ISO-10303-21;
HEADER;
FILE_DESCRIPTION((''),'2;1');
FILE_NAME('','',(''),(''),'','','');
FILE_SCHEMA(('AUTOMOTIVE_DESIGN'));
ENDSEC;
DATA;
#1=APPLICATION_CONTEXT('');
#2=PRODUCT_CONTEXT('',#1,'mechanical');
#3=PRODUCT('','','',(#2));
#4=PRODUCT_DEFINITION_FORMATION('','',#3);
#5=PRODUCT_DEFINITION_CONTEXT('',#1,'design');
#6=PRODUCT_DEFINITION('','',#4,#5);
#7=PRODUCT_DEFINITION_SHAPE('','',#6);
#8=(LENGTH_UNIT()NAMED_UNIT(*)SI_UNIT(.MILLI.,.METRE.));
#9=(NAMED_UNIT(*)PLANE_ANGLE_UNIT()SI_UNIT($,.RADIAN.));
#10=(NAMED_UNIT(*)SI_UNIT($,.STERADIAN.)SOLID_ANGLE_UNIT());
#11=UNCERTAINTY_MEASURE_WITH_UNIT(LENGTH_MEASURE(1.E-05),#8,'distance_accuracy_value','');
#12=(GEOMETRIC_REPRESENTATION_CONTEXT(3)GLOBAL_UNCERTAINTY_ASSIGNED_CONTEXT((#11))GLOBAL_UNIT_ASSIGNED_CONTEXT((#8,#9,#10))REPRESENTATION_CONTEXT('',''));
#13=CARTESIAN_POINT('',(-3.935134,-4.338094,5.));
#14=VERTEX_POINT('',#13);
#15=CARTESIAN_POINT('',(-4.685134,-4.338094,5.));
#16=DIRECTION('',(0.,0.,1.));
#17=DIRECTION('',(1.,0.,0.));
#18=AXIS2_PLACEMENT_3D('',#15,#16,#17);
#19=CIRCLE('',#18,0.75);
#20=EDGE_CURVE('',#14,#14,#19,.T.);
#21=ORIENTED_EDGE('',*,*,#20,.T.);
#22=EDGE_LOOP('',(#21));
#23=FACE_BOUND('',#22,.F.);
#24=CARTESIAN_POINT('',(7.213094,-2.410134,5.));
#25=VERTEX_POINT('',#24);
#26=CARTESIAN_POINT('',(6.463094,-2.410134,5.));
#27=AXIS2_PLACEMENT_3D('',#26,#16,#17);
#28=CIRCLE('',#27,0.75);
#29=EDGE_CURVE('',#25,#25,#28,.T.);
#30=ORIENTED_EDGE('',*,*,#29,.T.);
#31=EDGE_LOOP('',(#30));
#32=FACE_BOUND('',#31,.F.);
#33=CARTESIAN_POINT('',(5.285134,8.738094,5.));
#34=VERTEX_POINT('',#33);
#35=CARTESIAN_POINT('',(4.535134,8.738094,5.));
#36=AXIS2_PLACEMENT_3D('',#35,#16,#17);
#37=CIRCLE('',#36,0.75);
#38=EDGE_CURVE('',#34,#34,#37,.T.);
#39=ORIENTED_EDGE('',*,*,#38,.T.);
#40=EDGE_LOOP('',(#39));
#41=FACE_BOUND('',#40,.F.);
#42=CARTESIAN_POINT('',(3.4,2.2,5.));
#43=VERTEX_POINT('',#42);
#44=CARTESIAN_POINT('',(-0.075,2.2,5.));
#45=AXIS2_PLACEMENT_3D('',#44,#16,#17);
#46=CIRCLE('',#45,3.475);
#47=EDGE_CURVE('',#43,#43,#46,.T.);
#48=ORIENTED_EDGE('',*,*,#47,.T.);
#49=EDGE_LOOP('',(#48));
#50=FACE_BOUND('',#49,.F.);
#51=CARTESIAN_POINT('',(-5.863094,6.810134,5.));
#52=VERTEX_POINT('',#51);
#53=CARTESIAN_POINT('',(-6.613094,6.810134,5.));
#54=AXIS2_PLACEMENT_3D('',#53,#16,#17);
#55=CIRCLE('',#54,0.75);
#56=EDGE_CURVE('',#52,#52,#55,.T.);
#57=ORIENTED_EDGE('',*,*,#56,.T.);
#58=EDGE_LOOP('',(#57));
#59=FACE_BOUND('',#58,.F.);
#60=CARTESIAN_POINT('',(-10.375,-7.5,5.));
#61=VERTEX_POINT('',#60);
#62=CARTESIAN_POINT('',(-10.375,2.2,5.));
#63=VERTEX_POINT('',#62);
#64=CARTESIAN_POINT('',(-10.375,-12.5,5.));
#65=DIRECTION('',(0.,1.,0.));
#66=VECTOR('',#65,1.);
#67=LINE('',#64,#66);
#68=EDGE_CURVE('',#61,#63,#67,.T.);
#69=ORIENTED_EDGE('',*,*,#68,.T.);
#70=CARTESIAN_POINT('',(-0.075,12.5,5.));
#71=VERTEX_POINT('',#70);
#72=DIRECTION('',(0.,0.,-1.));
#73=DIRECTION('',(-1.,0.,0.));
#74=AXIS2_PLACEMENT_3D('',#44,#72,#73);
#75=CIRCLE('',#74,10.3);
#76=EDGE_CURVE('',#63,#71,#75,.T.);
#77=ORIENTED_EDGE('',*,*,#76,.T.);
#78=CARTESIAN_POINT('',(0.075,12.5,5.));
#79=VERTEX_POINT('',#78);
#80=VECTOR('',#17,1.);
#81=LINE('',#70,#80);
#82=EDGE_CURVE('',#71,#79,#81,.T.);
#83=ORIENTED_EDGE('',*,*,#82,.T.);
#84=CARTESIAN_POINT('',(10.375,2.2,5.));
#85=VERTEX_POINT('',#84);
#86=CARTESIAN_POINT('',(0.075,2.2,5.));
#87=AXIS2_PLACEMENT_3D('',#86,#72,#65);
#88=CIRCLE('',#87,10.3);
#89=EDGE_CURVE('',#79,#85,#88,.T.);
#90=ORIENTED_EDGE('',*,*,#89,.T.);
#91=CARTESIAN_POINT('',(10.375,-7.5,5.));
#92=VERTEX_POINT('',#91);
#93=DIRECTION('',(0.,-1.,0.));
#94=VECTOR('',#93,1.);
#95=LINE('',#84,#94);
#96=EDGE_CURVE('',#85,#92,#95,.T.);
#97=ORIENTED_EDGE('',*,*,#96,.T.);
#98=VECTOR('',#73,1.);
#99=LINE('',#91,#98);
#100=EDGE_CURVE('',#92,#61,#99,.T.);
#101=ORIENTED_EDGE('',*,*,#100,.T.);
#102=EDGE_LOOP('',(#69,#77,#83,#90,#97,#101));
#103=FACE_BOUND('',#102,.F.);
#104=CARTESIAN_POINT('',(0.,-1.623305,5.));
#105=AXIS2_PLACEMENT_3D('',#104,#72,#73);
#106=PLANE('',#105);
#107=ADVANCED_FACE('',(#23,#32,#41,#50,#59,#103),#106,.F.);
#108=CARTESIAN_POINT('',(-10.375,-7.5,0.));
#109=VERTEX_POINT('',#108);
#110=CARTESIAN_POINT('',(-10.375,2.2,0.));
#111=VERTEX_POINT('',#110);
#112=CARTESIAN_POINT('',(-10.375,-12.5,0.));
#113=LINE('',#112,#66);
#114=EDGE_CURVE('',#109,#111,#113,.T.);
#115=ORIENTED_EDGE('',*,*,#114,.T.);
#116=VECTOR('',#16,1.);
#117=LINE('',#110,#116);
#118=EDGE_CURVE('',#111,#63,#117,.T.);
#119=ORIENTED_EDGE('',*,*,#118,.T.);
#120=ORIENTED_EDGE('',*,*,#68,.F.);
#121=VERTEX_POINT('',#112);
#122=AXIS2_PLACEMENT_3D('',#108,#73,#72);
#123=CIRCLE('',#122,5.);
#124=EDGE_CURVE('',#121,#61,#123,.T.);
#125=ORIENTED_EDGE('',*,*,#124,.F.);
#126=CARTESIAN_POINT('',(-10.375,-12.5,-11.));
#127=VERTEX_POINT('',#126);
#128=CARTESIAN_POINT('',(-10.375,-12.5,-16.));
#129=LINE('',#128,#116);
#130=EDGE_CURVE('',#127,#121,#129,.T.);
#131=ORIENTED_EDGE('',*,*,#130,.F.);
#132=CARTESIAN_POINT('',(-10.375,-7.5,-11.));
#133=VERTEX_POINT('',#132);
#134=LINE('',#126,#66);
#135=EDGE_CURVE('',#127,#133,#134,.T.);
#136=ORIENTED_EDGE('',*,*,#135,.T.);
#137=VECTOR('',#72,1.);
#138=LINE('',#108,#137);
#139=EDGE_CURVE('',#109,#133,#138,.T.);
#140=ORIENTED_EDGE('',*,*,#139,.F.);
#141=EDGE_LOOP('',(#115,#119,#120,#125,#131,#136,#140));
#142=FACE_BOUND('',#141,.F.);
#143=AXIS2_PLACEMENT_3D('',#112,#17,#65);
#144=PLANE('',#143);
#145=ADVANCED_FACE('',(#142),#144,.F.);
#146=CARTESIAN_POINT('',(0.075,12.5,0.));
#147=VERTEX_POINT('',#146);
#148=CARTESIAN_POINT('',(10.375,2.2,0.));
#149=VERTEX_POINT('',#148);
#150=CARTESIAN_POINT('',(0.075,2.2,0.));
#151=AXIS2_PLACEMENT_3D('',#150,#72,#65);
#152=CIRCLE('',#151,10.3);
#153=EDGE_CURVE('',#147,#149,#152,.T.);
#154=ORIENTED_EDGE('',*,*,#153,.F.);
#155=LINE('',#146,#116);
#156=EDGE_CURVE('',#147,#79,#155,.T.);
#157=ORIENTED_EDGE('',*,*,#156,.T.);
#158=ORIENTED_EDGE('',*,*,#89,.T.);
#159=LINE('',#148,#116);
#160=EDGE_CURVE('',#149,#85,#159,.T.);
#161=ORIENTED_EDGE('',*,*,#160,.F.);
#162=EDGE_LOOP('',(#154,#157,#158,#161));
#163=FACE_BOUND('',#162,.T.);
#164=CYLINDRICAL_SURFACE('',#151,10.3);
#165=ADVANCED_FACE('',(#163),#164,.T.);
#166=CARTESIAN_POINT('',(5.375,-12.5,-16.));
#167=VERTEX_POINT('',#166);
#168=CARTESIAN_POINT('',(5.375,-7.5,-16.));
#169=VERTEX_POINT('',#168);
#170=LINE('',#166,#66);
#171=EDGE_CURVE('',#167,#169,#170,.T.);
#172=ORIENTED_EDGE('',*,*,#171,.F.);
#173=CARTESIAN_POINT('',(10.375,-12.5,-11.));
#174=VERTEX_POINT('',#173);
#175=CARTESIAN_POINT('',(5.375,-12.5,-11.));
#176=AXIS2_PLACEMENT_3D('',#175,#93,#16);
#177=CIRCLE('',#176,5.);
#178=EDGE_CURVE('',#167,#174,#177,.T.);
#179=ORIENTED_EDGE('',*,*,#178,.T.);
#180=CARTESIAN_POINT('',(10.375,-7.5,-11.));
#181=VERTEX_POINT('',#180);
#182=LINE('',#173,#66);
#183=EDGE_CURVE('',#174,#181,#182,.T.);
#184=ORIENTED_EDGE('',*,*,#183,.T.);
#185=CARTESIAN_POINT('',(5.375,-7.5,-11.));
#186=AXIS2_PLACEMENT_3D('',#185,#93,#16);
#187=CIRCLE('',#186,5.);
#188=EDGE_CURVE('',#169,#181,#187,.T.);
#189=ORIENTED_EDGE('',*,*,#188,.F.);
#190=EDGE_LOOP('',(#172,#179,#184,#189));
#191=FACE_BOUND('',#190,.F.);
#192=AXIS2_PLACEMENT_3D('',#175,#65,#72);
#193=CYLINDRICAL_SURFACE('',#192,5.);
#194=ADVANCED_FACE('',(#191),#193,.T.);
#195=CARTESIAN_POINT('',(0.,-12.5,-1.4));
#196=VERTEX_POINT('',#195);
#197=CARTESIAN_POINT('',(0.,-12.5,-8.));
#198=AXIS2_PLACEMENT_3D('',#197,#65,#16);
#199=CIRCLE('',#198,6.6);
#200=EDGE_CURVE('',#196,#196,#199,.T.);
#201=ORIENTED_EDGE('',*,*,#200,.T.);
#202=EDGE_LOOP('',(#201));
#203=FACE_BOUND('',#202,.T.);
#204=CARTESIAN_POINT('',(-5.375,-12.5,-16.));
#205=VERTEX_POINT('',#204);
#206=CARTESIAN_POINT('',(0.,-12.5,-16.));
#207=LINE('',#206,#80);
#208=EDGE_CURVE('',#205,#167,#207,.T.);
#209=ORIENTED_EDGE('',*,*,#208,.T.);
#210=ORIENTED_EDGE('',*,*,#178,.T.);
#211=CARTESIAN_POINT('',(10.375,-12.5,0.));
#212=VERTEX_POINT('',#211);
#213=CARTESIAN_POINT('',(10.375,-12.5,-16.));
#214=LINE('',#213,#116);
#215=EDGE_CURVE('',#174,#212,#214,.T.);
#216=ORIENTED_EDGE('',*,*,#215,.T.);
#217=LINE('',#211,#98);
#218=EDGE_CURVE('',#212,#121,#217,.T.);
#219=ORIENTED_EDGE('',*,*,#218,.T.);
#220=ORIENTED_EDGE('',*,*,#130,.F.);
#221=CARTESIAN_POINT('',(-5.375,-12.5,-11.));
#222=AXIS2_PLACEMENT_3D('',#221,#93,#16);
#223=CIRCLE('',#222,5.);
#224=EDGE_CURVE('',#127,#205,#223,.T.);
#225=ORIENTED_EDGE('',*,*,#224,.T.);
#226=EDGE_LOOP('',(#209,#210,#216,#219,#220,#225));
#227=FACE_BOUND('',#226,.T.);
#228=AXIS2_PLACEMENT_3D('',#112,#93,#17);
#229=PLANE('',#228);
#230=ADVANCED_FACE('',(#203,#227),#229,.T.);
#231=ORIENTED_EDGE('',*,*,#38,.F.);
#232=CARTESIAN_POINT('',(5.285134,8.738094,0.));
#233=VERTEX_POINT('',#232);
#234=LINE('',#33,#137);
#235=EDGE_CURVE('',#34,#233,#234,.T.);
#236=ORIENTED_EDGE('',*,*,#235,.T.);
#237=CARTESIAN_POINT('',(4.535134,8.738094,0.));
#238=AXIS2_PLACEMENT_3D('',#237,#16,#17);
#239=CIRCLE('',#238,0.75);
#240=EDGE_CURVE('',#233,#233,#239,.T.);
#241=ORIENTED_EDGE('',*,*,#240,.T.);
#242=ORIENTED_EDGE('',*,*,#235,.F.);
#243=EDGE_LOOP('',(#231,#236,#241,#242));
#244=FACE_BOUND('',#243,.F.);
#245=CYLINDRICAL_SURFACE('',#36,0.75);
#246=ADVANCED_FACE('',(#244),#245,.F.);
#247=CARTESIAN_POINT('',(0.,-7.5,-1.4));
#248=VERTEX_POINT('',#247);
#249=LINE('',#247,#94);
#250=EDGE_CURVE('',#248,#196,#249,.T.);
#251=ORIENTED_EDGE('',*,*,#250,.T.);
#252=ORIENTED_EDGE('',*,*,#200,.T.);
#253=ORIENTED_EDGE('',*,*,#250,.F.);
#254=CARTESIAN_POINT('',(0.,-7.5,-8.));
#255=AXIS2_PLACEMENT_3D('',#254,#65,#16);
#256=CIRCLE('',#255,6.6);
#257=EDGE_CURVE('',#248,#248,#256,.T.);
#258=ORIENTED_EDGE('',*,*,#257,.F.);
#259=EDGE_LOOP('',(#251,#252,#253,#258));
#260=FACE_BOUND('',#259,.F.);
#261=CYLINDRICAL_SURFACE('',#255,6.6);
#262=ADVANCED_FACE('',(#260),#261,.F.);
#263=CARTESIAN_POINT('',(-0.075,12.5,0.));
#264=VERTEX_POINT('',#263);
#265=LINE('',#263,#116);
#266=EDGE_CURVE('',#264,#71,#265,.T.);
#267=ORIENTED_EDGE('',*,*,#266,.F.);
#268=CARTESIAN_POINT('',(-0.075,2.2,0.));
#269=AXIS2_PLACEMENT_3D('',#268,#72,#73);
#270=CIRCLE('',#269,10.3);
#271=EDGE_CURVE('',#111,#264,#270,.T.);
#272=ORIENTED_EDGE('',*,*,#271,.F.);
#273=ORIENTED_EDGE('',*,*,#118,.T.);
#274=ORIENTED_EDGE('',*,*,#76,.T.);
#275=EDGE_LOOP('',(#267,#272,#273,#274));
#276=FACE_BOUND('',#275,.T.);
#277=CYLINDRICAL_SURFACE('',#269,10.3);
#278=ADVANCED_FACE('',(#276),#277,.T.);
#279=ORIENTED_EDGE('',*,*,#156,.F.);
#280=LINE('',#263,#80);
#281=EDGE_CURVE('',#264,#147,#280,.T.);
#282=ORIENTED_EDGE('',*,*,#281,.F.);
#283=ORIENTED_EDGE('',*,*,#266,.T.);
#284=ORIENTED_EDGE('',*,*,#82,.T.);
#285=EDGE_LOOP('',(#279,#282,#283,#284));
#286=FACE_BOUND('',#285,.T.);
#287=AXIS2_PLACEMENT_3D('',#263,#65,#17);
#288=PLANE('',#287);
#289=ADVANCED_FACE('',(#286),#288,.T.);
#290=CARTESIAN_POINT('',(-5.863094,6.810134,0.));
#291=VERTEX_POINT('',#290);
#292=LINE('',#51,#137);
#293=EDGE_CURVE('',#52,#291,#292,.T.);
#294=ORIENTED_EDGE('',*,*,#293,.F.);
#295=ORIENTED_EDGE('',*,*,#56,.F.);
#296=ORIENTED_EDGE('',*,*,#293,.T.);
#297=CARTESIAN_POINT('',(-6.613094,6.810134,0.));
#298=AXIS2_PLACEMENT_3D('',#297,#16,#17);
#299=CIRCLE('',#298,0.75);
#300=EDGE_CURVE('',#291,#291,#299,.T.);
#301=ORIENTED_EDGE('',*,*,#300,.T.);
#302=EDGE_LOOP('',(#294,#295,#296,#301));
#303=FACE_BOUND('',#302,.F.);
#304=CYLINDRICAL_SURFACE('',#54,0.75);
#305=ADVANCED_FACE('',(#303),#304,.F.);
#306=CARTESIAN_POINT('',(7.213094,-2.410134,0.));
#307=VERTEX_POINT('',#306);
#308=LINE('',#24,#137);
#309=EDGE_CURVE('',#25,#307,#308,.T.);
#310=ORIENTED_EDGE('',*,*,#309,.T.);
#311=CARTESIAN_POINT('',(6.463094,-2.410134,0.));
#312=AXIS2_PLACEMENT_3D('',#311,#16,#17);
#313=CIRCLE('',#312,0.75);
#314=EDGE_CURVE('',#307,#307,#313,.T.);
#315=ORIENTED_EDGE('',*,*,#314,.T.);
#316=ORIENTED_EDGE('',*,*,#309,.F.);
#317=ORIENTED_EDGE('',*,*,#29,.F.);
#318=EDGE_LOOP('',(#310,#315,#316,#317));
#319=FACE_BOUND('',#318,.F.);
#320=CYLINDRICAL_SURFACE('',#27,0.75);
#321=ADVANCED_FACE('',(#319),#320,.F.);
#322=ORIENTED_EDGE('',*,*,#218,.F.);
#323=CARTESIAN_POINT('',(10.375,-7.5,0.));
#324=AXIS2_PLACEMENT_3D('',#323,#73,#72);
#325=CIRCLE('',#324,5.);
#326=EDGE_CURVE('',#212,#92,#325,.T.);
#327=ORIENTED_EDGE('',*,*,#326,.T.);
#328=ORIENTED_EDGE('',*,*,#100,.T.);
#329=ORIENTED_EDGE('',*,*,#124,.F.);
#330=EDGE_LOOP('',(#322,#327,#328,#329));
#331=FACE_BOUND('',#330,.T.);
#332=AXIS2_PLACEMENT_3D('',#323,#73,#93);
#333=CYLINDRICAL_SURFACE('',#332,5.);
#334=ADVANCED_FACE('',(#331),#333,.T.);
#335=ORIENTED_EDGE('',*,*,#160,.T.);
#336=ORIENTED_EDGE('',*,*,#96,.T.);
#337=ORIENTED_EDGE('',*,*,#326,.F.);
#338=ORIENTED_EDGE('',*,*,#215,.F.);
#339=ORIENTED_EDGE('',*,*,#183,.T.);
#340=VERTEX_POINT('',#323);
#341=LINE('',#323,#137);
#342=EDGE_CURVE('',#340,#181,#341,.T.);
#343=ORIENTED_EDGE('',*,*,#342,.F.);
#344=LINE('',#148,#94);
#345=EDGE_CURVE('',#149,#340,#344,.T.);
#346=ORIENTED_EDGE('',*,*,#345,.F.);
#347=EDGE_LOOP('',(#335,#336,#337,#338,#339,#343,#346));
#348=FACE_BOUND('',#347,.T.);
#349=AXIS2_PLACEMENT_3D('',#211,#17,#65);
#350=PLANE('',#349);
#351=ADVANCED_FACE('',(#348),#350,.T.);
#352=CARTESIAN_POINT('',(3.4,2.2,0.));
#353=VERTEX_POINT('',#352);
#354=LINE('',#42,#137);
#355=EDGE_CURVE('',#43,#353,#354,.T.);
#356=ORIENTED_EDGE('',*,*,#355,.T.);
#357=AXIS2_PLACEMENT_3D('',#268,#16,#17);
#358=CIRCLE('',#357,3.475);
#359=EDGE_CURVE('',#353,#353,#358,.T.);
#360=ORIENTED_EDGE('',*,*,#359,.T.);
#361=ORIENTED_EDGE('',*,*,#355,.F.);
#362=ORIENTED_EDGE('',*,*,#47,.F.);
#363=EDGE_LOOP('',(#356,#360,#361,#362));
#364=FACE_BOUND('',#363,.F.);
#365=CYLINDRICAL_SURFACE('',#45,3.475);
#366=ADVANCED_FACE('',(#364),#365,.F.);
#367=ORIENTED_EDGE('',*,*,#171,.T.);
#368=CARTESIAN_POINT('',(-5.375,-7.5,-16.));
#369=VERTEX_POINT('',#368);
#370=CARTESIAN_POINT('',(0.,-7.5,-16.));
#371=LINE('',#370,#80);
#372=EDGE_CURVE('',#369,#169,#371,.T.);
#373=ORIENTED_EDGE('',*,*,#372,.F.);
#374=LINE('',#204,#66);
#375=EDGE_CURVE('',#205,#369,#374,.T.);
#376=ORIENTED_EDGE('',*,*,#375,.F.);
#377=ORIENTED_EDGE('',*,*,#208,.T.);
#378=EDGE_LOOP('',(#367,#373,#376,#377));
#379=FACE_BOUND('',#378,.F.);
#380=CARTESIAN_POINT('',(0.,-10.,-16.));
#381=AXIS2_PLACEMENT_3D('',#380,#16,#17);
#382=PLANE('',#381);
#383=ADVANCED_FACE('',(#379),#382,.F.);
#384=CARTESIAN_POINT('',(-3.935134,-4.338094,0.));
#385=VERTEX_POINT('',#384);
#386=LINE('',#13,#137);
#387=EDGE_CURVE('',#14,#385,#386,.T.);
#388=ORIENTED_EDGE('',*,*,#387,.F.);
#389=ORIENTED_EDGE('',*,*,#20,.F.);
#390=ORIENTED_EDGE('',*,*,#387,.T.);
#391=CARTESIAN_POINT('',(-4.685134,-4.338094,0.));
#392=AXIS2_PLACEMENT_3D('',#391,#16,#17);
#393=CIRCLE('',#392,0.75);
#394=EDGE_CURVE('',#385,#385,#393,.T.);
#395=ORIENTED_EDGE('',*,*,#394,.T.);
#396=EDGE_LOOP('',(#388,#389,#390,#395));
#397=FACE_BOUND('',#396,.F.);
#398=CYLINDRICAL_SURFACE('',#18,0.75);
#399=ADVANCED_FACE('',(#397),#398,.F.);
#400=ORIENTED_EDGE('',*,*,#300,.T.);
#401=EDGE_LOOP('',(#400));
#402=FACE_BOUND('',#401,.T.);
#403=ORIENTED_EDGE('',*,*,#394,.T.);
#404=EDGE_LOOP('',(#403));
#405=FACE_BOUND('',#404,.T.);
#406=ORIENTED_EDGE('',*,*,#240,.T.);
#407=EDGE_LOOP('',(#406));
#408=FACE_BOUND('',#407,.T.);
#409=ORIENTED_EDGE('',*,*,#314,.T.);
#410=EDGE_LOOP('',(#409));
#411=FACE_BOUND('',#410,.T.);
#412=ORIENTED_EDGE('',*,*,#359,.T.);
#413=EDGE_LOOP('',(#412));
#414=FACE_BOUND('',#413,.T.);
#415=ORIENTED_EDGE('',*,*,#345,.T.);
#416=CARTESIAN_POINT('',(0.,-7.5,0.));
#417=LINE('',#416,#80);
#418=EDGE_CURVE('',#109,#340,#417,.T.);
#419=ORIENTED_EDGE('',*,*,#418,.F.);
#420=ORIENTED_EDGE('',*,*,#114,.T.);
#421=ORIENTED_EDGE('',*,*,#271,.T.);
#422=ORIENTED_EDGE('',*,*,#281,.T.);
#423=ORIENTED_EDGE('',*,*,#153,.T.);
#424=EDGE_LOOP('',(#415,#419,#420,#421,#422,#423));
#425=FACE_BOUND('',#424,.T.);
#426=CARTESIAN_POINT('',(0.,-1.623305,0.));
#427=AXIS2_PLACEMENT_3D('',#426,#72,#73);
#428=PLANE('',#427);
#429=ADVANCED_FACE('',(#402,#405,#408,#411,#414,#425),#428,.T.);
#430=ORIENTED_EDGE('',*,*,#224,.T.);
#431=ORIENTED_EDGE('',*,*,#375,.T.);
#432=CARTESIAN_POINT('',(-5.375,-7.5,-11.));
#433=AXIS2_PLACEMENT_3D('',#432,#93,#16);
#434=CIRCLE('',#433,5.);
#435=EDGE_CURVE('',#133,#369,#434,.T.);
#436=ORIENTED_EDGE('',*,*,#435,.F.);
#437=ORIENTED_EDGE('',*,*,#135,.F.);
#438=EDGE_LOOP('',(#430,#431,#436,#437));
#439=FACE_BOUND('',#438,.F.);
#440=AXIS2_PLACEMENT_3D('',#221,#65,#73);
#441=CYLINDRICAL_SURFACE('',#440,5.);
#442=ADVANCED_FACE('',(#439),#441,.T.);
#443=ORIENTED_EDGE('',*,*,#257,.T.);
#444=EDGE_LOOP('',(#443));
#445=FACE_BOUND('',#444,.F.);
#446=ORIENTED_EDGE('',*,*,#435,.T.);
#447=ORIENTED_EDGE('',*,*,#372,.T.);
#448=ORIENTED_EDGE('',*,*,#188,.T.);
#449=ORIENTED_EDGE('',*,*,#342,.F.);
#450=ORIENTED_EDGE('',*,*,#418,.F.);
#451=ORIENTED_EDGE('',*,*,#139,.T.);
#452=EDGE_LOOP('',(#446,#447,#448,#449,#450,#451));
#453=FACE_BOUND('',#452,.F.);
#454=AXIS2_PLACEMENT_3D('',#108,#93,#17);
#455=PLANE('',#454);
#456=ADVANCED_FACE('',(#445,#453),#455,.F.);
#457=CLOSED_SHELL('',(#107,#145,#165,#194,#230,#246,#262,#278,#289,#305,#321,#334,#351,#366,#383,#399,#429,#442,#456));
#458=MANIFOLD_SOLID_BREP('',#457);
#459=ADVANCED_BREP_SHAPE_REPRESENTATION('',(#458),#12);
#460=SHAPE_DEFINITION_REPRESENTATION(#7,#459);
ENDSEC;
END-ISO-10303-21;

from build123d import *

# Parameters (mm, degrees)
BOSS_EXTRUDE1_DEPTH = 5
BOSS_EXTRUDE2_START = -5
SKETCH2_W           = 20.75
SKETCH2_H           = 5
BOSS_EXTRUDE2_DEPTH = 16
SKETCH3_R           = 6.6
CUT_EXTRUDE1_DEPTH  = 28.634048292
FILLET2_R           = 5
FILLET3_R           = 5
SKETCH5_R           = 3.475
SKETCH5_R_2         = 0.75
CUT_EXTRUDE3_DEPTH  = 27.549776364


with BuildPart() as part:
    # Sketch1 → Boss-Extrude1 (new body)
    with BuildSketch(Plane.XY):
        with BuildLine():
            Line((-0.075, 12.5), (0.075, 12.5))
            ThreePointArc((0.075, 12.5), (7.358199846, 9.483199846), (10.375, 2.2))
            Line((10.375, 2.2), (10.375, -12.5))
            Line((10.375, -12.5), (-10.375, -12.5))
            Line((-10.375, -12.5), (-10.375, 2.2))
            ThreePointArc((-10.375, 2.2), (-7.358199846, 9.483199846), (-0.075, 12.5))
        make_face()
    extrude(amount=BOSS_EXTRUDE1_DEPTH)

    # Sketch2 → Boss-Extrude2 (add)
    with BuildSketch(Plane.XY.offset(5).offset(BOSS_EXTRUDE2_START)):
        with Locations((0, -10)):
            Rectangle(SKETCH2_W, SKETCH2_H)
    extrude(amount=-BOSS_EXTRUDE2_DEPTH)

    # Sketch3 → Cut-Extrude1 (cut, through all)
    with BuildSketch(Plane(origin=(0, -7.5, 0), x_dir=(1, 0, 0), z_dir=(0, 1, 0))):
        with Locations(Location((0, 8, 0), (0, 0, 270))):
            Circle(SKETCH3_R)
    extrude(amount=-CUT_EXTRUDE1_DEPTH, mode=Mode.SUBTRACT)

    # Fillet2
    fillet2_edges = [part.edges().sort_by_distance(p)[0] for p in [
        (10.375, -10, -16),
        (-10.375, -10, -16),
    ]]
    fillet(fillet2_edges, radius=FILLET2_R)

    # Fillet3
    fillet3_edges = [part.edges().sort_by_distance(p)[0] for p in [
        (0, -12.5, 5),
    ]]
    fillet(fillet3_edges, radius=FILLET3_R)

    # Sketch5 → Cut-Extrude3 (cut, through all)
    with BuildSketch(Plane.XY.offset(5)):
        with Locations((-0.075, 2.2)):
            Circle(SKETCH5_R)
        with Locations((-6.613093573, 6.810133667)):
            Circle(SKETCH5_R_2)
        with Locations((4.535133667, 8.738093573)):
            Circle(SKETCH5_R_2)
        with Locations((-4.685133667, -4.338093573)):
            Circle(SKETCH5_R_2)
        with Locations((6.463093573, -2.410133667)):
            Circle(SKETCH5_R_2)
    extrude(amount=-CUT_EXTRUDE3_DEPTH, mode=Mode.SUBTRACT)


solid = part.part
